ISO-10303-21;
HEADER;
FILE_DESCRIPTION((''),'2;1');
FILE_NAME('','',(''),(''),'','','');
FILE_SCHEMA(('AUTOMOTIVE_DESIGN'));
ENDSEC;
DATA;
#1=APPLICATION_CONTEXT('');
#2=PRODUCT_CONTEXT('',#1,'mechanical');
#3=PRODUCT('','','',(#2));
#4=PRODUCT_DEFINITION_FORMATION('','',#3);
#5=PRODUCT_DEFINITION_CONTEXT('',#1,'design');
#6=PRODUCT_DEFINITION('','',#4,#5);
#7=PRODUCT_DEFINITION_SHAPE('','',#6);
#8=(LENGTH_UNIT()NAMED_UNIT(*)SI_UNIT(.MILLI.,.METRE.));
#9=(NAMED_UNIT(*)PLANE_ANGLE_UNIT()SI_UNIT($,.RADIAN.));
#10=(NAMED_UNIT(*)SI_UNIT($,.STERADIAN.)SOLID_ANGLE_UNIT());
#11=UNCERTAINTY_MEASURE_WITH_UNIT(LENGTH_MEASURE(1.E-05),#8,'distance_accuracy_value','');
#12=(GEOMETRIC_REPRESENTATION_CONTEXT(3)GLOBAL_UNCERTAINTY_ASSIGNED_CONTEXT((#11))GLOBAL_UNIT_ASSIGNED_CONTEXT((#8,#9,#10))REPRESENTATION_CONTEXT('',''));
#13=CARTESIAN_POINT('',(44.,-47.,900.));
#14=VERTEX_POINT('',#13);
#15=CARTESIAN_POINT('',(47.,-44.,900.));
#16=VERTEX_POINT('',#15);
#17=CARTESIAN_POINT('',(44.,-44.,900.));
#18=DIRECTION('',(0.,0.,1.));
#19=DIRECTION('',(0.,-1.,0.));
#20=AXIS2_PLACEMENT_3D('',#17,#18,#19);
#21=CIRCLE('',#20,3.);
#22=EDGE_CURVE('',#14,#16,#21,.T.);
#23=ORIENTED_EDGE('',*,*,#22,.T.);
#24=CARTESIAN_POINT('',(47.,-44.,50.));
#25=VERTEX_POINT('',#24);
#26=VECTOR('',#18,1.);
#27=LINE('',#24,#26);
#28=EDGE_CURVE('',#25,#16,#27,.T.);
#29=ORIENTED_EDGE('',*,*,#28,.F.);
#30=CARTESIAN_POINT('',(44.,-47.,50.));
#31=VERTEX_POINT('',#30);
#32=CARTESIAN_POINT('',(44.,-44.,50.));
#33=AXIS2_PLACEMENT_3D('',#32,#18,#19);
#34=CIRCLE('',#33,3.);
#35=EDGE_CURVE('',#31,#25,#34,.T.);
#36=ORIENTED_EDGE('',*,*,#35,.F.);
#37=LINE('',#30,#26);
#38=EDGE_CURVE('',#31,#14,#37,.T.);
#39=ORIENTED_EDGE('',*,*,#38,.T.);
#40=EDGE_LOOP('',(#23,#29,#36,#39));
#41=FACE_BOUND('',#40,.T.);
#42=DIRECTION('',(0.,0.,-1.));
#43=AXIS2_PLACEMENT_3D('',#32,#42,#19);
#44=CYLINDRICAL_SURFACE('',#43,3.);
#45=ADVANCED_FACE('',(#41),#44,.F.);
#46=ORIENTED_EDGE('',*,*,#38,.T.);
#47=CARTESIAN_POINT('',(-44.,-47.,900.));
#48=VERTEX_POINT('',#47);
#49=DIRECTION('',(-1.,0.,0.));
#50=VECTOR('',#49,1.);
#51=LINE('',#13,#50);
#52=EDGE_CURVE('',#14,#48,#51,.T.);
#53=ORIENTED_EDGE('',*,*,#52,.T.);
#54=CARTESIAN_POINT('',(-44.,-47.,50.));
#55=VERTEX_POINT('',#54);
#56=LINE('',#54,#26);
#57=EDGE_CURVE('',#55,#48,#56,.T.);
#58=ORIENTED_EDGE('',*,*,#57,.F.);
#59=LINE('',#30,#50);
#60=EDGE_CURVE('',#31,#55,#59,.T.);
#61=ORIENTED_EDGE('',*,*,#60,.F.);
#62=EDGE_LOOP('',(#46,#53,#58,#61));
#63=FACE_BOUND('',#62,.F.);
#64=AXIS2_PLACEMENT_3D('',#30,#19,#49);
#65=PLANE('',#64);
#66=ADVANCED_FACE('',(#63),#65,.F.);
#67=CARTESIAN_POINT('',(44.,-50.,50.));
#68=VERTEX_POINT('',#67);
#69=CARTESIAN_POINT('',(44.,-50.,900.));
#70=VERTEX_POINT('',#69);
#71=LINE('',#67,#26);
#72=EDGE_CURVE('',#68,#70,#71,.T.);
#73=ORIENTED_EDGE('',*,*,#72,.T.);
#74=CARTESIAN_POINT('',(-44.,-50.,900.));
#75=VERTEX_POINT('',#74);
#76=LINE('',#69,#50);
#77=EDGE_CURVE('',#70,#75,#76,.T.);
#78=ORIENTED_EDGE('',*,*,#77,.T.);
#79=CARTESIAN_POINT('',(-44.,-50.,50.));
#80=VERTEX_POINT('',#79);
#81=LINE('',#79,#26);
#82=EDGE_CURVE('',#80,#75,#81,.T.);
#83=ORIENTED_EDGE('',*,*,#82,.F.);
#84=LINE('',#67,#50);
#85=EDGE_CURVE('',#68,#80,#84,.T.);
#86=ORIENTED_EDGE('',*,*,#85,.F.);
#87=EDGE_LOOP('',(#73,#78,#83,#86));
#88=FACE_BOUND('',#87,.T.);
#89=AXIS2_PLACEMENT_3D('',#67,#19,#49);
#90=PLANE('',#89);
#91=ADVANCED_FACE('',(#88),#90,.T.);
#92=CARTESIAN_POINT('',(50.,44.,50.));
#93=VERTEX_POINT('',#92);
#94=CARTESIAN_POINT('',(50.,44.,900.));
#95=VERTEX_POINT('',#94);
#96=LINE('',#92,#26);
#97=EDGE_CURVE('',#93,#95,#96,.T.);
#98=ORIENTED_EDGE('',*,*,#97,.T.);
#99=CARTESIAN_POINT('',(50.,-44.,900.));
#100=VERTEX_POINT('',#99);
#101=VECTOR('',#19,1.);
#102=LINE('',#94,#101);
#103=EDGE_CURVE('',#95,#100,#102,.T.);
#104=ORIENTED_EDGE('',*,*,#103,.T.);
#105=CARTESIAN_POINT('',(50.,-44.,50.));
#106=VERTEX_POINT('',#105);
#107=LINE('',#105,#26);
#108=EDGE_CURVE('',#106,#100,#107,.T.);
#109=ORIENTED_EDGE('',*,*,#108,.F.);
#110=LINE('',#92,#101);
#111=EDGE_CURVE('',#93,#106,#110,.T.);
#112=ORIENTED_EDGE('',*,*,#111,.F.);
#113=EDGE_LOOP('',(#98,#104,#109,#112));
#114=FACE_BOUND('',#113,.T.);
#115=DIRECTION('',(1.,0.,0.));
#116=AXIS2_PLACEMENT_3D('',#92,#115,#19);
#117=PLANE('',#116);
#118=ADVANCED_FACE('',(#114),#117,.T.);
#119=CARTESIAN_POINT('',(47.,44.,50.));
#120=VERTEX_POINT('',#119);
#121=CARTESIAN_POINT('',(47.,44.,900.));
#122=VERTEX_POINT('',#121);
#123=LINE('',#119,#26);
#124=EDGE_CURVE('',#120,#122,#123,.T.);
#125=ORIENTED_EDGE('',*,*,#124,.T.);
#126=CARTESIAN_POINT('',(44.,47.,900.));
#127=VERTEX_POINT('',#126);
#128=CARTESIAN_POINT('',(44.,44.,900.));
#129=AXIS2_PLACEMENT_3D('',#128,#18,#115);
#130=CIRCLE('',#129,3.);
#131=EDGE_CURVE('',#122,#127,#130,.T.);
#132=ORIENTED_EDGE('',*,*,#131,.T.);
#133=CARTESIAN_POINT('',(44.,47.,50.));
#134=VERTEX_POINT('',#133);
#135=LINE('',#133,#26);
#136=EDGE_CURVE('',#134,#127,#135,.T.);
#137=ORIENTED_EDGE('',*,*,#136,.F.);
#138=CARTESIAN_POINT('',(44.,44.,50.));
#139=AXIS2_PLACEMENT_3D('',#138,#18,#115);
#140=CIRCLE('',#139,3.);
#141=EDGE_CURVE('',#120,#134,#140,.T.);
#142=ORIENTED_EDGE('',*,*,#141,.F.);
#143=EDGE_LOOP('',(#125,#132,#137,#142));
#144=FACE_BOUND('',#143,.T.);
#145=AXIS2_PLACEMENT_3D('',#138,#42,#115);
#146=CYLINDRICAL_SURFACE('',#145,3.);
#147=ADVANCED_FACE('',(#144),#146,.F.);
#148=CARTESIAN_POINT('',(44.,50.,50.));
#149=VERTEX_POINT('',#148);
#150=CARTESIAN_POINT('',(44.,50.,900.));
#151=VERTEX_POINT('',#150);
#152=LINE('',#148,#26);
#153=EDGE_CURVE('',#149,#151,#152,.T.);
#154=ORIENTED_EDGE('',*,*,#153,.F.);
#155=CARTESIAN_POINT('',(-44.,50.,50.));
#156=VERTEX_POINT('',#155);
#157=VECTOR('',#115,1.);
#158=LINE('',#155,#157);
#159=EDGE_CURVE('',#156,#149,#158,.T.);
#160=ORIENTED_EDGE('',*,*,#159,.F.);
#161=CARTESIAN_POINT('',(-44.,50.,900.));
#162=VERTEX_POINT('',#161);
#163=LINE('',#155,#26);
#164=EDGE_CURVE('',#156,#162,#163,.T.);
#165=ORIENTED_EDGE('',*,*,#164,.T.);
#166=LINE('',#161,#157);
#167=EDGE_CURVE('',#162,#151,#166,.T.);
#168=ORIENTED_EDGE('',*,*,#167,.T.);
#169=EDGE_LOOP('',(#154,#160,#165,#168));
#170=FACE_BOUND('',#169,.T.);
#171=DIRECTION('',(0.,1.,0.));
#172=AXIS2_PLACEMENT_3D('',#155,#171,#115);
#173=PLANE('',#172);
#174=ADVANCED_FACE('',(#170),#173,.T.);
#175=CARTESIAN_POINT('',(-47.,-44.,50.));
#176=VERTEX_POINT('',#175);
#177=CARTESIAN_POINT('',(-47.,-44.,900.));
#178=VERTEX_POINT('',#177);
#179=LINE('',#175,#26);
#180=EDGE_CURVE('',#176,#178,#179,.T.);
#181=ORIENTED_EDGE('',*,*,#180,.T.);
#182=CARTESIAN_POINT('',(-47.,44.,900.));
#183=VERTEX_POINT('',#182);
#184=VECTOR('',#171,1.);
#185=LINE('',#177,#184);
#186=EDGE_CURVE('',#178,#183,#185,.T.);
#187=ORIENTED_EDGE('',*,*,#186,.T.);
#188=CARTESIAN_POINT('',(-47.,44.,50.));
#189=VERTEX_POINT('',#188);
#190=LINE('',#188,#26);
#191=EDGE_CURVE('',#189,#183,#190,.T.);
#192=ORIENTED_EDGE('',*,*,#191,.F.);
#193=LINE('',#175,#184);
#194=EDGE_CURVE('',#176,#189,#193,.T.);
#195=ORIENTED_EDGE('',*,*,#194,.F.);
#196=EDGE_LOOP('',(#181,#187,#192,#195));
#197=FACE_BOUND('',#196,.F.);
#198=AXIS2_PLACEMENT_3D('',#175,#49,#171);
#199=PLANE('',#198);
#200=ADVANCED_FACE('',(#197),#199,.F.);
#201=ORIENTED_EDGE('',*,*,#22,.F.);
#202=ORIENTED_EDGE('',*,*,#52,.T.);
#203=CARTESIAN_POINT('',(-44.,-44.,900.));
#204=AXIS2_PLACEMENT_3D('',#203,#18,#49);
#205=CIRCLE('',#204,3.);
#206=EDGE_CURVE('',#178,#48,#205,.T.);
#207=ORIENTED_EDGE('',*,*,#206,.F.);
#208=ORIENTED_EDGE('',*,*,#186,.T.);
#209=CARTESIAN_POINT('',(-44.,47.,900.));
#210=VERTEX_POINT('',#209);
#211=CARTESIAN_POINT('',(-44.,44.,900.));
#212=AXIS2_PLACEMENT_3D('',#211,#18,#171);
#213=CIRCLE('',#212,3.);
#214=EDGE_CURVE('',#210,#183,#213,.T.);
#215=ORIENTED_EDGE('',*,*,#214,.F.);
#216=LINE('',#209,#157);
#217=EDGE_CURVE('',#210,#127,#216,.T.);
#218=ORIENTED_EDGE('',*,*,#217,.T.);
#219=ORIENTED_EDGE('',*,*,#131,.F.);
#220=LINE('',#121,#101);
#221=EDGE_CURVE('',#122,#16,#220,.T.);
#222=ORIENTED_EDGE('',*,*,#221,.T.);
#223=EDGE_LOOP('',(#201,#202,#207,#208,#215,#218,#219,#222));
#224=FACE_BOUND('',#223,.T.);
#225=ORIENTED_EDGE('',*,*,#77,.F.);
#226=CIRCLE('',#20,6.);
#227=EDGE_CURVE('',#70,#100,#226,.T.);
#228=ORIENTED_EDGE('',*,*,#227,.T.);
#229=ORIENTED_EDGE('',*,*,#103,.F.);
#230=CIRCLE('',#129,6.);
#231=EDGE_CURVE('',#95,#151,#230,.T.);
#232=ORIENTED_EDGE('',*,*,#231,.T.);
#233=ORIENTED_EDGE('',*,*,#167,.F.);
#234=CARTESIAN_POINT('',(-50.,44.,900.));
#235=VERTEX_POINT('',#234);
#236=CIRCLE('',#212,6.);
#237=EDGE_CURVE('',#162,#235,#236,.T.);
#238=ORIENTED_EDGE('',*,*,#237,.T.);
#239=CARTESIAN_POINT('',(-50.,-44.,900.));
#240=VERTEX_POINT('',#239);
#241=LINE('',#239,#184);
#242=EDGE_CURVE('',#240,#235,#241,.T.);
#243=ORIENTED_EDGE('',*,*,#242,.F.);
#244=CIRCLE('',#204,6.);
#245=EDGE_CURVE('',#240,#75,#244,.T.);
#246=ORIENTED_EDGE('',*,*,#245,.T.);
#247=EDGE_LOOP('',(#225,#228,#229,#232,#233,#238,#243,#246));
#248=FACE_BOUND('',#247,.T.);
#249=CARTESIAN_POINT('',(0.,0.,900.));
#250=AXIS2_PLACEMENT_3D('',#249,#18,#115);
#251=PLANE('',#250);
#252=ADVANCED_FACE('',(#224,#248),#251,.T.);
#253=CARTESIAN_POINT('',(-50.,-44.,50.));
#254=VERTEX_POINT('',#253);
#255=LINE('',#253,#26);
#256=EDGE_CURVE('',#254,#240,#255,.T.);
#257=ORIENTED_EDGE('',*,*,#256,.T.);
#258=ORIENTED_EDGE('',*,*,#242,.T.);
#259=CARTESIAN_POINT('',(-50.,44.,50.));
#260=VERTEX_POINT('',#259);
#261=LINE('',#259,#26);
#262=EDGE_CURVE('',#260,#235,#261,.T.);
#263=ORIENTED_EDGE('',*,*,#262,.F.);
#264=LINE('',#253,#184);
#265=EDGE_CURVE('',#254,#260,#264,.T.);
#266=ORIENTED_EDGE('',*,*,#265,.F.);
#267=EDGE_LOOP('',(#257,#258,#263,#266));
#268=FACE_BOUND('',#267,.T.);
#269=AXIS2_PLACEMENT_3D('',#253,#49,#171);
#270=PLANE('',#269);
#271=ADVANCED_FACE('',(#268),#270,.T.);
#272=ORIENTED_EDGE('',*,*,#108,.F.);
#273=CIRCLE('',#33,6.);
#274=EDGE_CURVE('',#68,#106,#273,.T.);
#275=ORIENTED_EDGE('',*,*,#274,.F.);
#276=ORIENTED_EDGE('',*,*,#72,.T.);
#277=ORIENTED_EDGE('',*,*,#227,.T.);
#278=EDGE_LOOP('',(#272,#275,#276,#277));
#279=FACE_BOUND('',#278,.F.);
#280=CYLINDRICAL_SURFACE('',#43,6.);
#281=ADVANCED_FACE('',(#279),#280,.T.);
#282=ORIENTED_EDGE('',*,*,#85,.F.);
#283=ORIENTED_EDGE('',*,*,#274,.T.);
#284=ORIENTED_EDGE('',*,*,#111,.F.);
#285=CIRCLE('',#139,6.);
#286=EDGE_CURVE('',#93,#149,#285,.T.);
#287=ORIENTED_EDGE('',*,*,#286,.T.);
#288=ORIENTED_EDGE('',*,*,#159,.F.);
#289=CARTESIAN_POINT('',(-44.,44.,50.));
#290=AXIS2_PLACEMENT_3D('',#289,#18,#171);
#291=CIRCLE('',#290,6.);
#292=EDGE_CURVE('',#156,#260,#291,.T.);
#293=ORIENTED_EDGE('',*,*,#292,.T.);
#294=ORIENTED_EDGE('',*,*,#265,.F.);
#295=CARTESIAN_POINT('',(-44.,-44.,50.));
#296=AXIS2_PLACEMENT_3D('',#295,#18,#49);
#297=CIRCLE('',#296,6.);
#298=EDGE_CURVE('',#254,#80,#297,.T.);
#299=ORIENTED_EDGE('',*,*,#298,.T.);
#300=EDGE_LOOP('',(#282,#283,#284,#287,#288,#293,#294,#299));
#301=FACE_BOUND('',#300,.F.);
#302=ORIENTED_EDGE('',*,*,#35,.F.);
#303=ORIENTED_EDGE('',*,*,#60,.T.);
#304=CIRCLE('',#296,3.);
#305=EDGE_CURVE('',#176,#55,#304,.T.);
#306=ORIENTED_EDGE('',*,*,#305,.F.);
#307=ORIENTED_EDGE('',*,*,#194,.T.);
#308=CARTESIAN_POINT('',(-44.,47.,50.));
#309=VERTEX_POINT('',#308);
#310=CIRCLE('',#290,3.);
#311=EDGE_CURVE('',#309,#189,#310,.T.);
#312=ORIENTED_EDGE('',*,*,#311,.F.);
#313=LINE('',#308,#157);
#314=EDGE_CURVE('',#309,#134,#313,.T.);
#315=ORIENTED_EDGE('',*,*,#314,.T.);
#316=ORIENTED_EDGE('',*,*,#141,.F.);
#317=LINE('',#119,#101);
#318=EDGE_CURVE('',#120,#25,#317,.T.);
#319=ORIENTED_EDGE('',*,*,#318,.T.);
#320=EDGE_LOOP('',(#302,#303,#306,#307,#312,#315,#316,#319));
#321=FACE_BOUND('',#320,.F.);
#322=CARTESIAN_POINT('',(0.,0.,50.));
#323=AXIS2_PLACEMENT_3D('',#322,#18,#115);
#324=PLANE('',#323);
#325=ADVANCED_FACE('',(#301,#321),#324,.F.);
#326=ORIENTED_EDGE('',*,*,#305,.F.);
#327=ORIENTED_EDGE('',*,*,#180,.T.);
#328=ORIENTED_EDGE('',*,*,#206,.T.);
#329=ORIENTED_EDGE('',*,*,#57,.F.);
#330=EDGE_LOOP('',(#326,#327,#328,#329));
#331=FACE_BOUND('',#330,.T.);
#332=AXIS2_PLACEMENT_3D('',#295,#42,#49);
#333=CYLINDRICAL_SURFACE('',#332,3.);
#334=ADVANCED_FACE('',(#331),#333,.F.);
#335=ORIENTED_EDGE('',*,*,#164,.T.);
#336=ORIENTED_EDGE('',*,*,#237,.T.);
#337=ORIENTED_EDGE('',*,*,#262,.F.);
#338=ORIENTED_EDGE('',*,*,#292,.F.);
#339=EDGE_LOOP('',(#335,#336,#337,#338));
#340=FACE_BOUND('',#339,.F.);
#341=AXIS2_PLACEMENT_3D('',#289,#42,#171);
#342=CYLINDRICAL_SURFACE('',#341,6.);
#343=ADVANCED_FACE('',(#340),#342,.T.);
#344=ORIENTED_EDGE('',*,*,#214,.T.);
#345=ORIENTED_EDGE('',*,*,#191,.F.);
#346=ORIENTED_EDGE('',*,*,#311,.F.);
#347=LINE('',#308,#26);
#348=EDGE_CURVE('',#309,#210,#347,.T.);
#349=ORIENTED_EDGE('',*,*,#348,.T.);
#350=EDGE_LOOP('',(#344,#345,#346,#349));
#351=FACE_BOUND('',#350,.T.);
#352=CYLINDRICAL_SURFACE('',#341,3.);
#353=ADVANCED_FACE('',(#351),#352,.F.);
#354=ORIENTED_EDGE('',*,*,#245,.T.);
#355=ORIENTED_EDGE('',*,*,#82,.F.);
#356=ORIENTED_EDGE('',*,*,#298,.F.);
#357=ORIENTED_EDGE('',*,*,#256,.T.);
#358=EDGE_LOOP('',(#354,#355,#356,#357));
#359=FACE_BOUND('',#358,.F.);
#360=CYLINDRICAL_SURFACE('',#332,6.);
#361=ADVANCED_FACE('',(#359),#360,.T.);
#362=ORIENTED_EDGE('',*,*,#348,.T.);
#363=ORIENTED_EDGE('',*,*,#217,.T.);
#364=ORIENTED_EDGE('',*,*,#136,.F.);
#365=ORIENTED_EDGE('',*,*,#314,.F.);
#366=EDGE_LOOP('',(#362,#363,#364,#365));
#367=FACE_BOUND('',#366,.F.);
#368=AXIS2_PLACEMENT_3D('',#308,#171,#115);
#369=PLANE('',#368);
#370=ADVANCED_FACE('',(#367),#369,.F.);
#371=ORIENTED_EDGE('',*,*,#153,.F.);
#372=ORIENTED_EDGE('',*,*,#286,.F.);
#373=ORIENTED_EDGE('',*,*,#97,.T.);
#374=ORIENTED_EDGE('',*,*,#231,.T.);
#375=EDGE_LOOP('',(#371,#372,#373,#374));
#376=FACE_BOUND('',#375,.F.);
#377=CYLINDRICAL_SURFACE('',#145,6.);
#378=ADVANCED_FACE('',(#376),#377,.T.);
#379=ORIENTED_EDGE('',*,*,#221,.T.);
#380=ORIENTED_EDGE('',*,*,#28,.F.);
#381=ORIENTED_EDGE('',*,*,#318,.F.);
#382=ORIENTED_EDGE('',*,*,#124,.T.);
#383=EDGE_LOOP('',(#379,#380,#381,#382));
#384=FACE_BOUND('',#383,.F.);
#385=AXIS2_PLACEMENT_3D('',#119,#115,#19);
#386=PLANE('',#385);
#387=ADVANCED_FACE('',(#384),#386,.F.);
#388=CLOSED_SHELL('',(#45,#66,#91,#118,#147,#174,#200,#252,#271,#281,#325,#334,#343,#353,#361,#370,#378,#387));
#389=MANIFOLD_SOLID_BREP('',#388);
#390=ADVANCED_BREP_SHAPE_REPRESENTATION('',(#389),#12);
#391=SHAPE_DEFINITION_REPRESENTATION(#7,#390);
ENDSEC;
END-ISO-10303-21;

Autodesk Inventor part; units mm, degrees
ref_plane "YZ Plane" through (0, 0, 0) normal (1, 0, 0) x (0, 1, 0)
ref_plane "Start plane" through (0, 0, 50) normal (0, 0, 1) x (1, 0, 0)
ref_plane "End plane" through (0, 0, 900) normal (0, 0, 1) x (1, 0, 0)
sketch "Sketch" plane through (0, 0, 0) normal (0, 0, 1) x (1, 0, 0)
  line L0 (-50, -44) -> (-50, 44)
  line L1 (-44, 50) -> (44, 50)
  line L2 (50, 44) -> (50, -44)
  line L3 (44, -50) -> (-44, -50)
  arc A0 (-50, -44) -> (-44, -50) centre (-44, -44) ccw
  arc A1 (50, 44) -> (44, 50) centre (44, 44) ccw
  arc A2 (-44, 50) -> (-50, 44) centre (-44, 44) ccw
  arc A3 (44, -50) -> (50, -44) centre (44, -44) ccw
  arc A4 (-44, 47) -> (-47, 44) centre (-44, 44) ccw
  line L4 (-44, 47) -> (44, 47)
  arc A5 (47, 44) -> (44, 47) centre (44, 44) ccw
  line L5 (47, 44) -> (47, -44)
  arc A6 (44, -47) -> (47, -44) centre (44, -44) ccw
  line L6 (44, -47) -> (-44, -47)
  arc A7 (-47, -44) -> (-44, -47) centre (-44, -44) ccw
  line L7 (-47, -44) -> (-47, 44)
  line L8 (0, 72.3196) -> (0, -72.3196) construction
  line L9 (-72.3196, 0) -> (72.3196, 0) construction
  dimension "d7" = 6
  dimension "d9" = 100
  dimension "d11" = 100
  dimension "d12" = 3
  dimension "d15" = 50
  dimension "d16" = 50
extrude "Body" add sketch "Sketch" along normal up to surface (850 mm away) from surface at 50
sketch "Sketch3" plane through (0, 0, 0) normal (0, 0, 1) x (1, 0, 0)
  line L0 (0, 0) -> (10, 0)
ref_plane "Work Plane3" through (0, 0, 0) normal (0, -1, 0) x (1, 0, 0)
sketch "Sketch4" plane through (0, 0, 0) normal (0, -1, 0) x (1, 0, 0)
  line L0 (-2, 50) -> (12, 50) projected
  line L1 (-2, 900) -> (12, 900) projected
  dimension "d18" = 850
equation "\"d7\" = G_IR"
equation "\"d9\" = G_W"
equation "\"d11\" = G_H"
equation "\"d12\" = G_T"
equation "\"d15\" = 0.5 * d9"
equation "\"d16\" = 0.5 * d11"
equation "\"d3\" = G_L"
equation "\"G_W\" = 100"
equation "\"G_H\" = 100"
equation "\"G_T\" = 3"
equation "\"G_IR\" = 6"
equation "\"G_L\" = d18"
properties part number "ISO 10799-2 - 100x100x3 - 850" material "Steel, Mild"
